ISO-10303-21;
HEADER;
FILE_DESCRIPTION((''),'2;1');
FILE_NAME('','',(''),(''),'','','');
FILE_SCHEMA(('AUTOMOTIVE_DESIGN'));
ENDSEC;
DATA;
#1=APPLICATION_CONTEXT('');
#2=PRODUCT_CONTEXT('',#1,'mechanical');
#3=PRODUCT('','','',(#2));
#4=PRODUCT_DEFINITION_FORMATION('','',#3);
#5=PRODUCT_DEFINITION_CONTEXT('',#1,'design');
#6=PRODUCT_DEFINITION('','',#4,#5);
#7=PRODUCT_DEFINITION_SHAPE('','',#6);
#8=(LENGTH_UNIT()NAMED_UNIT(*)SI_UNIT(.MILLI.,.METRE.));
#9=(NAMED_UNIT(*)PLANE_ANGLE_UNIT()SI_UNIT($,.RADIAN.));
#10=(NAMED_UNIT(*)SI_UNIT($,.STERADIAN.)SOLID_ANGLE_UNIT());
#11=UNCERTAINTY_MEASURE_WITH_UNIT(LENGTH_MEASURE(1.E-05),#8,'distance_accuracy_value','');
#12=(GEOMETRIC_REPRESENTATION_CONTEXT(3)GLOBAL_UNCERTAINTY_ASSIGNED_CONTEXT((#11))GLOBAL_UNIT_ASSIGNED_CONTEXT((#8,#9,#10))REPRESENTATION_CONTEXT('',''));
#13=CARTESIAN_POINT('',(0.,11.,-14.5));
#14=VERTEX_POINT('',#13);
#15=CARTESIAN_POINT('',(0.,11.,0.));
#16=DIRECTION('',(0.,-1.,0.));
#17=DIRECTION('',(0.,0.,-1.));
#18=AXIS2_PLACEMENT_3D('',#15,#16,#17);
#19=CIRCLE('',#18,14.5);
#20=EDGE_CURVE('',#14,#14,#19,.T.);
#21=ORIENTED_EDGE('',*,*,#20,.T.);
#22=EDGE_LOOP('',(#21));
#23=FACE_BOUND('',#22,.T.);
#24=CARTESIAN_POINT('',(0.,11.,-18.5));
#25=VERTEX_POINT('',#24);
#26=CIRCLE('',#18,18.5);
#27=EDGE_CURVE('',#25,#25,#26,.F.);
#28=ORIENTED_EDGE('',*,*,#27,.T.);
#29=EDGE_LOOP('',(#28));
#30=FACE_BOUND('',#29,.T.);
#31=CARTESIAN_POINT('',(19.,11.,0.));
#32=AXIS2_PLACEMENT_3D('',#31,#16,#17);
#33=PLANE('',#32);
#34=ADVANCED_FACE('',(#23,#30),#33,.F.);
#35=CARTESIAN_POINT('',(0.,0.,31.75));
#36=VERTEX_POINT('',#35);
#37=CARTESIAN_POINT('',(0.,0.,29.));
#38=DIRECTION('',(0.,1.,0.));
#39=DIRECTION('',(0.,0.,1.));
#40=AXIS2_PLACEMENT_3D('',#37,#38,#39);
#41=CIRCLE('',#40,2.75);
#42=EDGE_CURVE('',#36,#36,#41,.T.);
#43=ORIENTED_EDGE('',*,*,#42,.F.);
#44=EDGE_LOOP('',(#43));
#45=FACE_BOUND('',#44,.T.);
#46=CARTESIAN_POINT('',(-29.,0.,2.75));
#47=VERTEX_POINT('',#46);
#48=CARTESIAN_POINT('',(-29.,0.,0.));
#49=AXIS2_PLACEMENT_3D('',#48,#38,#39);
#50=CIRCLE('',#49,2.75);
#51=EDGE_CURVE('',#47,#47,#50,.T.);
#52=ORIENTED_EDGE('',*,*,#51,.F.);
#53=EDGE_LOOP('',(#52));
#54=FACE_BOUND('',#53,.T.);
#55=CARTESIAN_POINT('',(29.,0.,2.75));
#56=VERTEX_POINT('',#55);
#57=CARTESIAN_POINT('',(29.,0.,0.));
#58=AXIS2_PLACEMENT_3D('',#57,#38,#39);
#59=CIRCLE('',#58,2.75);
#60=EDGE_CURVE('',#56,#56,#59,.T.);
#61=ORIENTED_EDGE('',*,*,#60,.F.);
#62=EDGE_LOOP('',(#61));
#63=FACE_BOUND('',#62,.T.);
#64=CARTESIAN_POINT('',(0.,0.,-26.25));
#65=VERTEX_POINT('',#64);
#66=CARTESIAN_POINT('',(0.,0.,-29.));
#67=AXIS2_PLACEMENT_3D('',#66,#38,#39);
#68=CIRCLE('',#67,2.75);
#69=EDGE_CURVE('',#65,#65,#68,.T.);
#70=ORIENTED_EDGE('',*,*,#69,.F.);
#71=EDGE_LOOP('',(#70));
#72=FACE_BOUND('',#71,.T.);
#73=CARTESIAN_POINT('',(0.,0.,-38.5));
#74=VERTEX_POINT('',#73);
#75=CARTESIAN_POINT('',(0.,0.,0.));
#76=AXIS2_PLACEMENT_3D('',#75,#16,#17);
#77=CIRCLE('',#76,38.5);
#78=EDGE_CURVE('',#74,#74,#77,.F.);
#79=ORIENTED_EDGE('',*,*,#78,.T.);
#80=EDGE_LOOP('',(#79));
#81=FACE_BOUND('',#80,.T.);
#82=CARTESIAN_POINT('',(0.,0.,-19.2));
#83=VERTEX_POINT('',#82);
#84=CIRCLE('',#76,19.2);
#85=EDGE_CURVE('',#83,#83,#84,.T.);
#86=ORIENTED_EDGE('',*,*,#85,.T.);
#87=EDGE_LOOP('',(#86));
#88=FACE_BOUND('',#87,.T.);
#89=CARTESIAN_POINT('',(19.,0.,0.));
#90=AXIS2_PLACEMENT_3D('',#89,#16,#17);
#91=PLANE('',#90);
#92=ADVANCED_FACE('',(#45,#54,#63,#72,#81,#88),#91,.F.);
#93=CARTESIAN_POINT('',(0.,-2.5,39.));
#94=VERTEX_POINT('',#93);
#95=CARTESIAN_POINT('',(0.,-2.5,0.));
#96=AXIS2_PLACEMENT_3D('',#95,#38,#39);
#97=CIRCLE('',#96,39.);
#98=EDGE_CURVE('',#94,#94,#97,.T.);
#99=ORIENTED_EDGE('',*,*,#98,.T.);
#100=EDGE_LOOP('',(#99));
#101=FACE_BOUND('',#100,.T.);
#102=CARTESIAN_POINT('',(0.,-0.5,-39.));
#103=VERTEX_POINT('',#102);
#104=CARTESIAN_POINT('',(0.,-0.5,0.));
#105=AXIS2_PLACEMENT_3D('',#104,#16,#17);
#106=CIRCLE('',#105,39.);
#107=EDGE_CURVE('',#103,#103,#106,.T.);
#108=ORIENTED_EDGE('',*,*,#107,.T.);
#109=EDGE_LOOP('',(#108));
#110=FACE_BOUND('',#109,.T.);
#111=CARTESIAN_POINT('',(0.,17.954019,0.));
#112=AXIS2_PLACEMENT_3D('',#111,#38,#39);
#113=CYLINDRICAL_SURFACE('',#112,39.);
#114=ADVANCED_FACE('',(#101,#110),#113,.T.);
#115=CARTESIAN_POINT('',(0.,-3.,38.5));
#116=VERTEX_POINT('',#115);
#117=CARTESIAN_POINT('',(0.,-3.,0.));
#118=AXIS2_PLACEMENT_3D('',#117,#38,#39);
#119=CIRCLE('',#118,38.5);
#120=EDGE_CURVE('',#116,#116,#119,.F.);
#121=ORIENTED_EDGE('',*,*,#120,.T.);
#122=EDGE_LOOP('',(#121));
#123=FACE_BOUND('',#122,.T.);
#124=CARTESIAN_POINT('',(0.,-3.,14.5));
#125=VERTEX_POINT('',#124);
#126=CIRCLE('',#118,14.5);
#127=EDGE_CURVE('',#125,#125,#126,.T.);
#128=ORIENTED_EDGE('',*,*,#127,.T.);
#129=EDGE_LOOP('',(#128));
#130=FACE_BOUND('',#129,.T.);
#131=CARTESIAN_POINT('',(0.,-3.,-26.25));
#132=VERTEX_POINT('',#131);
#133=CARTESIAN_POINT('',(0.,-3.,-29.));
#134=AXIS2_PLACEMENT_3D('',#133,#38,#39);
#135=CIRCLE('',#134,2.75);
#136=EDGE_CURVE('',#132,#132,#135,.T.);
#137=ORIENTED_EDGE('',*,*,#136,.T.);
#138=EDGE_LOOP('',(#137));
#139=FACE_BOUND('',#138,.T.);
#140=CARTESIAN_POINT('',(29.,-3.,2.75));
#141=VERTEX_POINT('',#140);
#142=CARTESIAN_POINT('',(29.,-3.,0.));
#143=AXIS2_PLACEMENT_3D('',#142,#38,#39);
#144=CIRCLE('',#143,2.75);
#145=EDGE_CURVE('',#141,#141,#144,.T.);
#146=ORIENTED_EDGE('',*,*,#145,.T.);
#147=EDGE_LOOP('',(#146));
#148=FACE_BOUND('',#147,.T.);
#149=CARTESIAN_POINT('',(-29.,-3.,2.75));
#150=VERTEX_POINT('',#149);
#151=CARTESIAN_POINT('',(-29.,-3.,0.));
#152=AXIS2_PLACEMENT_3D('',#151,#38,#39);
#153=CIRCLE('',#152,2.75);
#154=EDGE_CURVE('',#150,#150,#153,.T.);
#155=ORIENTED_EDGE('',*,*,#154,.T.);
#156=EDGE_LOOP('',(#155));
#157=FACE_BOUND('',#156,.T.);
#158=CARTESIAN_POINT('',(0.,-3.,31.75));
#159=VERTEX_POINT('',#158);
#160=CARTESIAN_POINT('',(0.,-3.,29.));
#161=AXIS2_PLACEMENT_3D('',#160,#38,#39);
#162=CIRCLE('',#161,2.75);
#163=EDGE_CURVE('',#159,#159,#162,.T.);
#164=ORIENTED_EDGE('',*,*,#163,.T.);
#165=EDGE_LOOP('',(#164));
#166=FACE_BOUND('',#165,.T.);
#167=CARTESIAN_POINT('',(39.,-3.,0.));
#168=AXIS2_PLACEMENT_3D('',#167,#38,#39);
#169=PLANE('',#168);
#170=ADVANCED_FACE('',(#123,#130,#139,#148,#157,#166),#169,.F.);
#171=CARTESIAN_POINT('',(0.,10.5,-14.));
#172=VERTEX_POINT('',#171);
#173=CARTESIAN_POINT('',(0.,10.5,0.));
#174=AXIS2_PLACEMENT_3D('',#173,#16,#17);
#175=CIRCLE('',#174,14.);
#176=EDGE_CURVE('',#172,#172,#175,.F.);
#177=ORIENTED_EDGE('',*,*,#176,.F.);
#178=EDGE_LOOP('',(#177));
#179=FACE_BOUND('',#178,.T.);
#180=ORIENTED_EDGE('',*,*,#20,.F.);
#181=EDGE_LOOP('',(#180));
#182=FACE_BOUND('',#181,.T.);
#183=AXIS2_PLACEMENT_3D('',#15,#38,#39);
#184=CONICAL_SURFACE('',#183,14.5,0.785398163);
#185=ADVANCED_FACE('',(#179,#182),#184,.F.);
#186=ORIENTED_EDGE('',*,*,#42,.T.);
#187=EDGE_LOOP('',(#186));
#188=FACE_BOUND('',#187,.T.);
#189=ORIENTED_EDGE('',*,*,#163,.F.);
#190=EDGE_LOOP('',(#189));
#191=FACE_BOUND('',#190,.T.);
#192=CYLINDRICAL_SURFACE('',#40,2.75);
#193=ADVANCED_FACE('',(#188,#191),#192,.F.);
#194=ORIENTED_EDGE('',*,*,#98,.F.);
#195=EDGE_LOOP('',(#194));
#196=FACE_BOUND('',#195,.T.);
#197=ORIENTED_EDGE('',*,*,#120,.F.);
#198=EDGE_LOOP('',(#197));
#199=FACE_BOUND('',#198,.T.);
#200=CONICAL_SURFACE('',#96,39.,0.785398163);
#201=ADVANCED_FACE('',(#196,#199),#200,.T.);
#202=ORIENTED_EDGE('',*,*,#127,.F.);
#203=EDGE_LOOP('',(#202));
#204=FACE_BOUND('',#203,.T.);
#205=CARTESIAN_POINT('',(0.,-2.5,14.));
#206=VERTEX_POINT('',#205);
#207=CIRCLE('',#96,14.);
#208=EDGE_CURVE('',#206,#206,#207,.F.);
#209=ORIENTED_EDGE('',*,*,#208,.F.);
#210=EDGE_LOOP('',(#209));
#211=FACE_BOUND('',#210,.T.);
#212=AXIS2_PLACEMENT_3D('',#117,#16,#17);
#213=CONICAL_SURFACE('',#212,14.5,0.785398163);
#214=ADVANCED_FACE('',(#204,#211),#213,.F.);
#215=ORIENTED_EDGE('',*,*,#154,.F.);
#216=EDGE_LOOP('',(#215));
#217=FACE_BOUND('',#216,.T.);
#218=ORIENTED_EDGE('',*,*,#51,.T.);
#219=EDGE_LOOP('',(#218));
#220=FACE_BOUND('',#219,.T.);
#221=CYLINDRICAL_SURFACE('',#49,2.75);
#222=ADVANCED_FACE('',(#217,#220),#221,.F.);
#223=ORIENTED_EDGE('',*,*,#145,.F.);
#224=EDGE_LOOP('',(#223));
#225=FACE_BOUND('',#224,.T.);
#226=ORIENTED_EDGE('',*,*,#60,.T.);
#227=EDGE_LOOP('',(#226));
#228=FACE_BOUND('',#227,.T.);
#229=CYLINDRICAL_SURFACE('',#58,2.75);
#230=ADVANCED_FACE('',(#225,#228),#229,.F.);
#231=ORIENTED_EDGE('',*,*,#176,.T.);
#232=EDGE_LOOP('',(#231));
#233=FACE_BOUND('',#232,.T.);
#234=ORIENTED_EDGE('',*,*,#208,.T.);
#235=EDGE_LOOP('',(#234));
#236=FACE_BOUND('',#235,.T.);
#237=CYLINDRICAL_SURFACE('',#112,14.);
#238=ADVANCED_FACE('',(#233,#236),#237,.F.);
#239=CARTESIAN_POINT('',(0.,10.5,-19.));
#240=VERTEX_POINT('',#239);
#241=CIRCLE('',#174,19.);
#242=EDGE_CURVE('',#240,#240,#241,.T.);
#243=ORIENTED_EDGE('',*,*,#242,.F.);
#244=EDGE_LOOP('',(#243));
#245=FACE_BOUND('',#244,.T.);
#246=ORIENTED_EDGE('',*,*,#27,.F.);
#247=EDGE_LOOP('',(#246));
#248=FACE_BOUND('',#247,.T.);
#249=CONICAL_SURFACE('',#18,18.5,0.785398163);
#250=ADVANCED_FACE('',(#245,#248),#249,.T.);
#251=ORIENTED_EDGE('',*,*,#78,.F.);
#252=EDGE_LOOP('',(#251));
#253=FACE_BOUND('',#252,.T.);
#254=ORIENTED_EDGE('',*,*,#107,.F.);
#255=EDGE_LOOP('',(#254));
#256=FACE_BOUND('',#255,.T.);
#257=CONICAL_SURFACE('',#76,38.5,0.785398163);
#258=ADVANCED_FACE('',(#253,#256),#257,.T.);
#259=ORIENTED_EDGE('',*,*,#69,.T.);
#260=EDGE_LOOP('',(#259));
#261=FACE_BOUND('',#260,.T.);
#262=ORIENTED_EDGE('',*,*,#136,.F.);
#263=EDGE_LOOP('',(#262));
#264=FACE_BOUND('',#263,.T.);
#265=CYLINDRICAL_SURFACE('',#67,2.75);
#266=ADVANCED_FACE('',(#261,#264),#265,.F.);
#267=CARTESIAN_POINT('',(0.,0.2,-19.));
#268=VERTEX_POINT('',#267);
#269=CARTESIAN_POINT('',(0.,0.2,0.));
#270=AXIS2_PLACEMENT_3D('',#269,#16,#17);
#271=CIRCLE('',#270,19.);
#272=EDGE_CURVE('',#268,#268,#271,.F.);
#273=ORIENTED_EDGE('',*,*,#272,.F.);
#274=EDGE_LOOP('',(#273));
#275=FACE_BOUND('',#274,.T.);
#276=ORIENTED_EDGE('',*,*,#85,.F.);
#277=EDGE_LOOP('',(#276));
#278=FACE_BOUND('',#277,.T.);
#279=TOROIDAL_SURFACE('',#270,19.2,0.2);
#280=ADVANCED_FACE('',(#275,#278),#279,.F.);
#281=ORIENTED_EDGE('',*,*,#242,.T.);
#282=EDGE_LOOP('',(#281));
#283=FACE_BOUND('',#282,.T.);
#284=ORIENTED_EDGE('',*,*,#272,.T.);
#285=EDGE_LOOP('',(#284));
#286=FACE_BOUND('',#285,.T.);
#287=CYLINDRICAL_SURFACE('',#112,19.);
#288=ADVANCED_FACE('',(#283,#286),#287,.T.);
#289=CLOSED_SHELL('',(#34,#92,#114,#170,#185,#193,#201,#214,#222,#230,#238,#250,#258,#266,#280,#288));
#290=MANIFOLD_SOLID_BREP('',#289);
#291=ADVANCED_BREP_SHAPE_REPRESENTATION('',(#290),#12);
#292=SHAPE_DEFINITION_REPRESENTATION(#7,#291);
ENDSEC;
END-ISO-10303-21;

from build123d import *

# Parameters (mm, degrees)
M5_CLEARANCE_HOLE1_D = 5.5
FILLET1_R            = 0.2
CHAMFER1_SIZE        = 0.5
SKETCH7_R            = 14
CUT_EXTRUDE2_DEPTH   = 57.903426962
CHAMFER2_SIZE        = 0.5


with BuildPart() as part:
    # Sketch1 → Revolve1 (revolve)
    with BuildSketch(Plane.XY, mode=Mode.PRIVATE) as revolve1_sk:
        Polygon((14, -3), (14, 8), (12, 8), (12, 11), (19, 11), (19, 0), (39, 0), (39, -3), align=None)
    revolve(revolve1_sk.sketch.rotate(Axis((0, 17.954019247, 0), (0, -1, 0)), 90), axis=Axis((0, 17.954019247, 0), (0, -1, 0)))

    # M5 Clearance Hole1 (through all)
    with Locations(Plane(origin=(0, 0, 0), x_dir=(1, 0, 0), z_dir=(0, 1, 0))):
        with Locations((0, 29), (29, 0), (0, -29), (-29, 0)):
            Hole(M5_CLEARANCE_HOLE1_D / 2)

    # Fillet1
    fillet1_edges = [part.edges().sort_by_distance(p)[0] for p in [
        (0, 0, -19),
        (0, 8, -14),
    ]]
    fillet(fillet1_edges, radius=FILLET1_R)

    # Chamfer1
    chamfer1_edges = [part.edges().sort_by_distance(p)[0] for p in [
        (0, 8, -12),
        (0, 11, -12),
        (0, 11, -19),
        (0, 0, -39),
        (0, -3, -39),
        (0, -3, -14),
    ]]
    chamfer(chamfer1_edges, length=CHAMFER1_SIZE)

    # Sketch7 → Cut-Extrude2 (cut, through all)
    with BuildSketch(Plane.XZ.offset(3)):
        with Locations(Location((0, 0, 0), (0, 0, 90))):
            Circle(SKETCH7_R)
    extrude(amount=-CUT_EXTRUDE2_DEPTH, mode=Mode.SUBTRACT)

    # Chamfer2
    chamfer2_edges = [part.edges().sort_by_distance(p)[0] for p in [
        (0, 11, -14),
    ]]
    chamfer(chamfer2_edges, length=CHAMFER2_SIZE)


solid = part.part
